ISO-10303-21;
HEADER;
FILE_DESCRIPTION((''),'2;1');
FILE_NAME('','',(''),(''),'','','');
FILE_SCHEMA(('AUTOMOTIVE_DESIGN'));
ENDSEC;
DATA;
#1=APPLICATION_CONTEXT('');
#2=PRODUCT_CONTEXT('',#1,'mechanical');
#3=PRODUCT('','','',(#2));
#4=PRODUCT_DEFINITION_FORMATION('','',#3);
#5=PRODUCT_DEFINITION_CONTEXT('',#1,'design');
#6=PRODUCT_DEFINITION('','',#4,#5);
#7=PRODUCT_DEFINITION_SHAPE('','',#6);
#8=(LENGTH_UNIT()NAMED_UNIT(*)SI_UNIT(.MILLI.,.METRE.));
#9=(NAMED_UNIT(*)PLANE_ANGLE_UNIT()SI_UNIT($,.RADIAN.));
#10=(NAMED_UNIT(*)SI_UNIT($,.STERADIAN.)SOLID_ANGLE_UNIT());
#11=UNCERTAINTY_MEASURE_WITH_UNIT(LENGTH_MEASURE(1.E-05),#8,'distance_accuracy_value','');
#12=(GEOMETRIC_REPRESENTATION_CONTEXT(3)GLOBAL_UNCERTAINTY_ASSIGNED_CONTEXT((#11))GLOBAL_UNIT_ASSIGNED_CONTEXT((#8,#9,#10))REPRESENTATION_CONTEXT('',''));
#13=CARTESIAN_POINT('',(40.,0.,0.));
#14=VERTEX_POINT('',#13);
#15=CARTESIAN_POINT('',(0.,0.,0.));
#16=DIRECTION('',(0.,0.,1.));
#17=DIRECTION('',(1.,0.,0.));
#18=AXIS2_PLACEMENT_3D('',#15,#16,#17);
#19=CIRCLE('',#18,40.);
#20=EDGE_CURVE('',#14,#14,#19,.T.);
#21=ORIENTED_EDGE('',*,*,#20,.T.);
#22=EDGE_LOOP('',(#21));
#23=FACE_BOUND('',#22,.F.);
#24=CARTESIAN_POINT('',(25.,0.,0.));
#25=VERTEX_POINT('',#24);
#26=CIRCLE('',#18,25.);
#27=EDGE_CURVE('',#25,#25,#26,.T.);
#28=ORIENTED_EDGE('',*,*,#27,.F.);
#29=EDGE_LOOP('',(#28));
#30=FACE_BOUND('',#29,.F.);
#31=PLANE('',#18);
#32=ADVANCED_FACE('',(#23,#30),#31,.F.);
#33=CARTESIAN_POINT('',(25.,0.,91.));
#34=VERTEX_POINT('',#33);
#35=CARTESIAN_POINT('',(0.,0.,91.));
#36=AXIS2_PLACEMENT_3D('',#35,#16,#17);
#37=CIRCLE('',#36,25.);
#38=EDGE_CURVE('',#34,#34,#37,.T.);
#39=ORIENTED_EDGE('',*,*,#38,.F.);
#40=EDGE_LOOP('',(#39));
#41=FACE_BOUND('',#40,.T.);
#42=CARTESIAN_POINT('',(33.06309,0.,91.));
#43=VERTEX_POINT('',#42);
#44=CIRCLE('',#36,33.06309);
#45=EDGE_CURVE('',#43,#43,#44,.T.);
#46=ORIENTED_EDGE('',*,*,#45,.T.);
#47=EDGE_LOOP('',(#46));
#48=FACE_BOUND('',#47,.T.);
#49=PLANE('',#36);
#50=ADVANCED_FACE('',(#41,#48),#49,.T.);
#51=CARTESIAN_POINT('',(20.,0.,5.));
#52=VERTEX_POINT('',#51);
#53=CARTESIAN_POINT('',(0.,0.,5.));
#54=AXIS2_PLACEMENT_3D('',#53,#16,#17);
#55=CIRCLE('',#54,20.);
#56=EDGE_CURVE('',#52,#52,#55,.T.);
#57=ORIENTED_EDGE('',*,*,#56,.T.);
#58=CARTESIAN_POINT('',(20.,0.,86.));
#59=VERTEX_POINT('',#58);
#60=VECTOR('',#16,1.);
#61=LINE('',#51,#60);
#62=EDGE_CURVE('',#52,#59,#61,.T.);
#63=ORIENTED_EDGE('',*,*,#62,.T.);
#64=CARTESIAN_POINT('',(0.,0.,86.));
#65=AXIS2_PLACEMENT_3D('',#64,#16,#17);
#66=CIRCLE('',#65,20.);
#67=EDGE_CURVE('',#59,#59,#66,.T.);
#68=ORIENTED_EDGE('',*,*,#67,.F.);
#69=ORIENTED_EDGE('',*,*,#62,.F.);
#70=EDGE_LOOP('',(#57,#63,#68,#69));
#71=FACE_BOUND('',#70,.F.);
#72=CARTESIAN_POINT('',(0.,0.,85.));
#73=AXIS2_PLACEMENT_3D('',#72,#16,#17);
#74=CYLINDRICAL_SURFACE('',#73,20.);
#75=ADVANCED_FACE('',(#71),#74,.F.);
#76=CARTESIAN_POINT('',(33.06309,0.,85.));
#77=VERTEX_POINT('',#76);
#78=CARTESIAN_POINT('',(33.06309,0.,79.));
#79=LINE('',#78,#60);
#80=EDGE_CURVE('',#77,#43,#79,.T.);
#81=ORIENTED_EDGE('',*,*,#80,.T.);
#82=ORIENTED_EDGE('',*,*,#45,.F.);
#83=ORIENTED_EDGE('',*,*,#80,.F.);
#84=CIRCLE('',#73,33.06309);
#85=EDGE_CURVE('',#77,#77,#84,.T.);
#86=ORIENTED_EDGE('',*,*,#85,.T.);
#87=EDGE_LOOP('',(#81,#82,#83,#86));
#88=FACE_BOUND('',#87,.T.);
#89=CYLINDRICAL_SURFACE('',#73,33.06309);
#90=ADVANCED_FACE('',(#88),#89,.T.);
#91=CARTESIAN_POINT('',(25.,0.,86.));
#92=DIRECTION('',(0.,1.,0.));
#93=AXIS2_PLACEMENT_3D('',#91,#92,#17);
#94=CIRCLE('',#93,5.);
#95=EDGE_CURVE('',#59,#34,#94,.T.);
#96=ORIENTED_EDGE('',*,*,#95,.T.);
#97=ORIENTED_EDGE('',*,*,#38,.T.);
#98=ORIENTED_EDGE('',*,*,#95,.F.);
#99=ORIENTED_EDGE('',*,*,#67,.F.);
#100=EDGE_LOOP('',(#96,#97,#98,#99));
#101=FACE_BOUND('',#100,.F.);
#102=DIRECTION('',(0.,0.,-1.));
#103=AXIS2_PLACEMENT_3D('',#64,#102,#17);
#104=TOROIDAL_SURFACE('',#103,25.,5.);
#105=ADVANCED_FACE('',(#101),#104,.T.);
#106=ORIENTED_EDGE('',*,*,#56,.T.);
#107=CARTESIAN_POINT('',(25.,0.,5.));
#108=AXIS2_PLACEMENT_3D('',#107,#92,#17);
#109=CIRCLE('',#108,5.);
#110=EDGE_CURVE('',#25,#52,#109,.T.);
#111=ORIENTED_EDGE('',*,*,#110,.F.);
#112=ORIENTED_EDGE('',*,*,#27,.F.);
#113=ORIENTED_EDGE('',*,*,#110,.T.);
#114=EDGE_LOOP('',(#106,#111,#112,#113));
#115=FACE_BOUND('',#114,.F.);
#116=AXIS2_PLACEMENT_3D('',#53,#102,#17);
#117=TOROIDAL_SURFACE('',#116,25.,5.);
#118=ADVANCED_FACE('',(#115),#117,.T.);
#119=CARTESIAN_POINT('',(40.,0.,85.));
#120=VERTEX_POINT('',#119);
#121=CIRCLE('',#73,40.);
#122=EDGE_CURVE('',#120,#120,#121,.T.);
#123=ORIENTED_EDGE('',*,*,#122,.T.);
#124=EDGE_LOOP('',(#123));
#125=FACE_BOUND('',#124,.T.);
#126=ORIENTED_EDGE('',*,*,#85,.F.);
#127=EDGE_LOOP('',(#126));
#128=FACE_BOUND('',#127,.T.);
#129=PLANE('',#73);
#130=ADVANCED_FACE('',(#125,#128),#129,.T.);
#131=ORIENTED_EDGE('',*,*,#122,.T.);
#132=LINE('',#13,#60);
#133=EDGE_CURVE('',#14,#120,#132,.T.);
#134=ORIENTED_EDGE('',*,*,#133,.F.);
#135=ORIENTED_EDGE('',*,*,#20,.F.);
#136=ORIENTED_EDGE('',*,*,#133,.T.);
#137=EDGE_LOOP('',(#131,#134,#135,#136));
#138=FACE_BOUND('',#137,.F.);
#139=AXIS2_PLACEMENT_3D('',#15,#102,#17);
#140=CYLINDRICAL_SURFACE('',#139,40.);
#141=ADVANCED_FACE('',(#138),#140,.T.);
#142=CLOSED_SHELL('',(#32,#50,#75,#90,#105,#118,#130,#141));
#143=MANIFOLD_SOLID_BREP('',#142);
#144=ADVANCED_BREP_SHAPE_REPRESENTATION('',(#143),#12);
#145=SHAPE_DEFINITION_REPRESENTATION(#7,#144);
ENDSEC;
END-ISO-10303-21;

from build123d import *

# Parameters (mm, degrees)
F0_R     = 40
F1_DEPTH = 85
F2_R     = 20
F3_DEPTH = 88
F4_R     = 5
F5_R     = 33.0630902993
F5_R_2   = 20
F6_DEPTH = 6
F7_R     = 5


with BuildPart() as f1:
    # F0 (on Top) → F1 (new body)
    with BuildSketch(Plane.XY):
        Circle(F0_R)
    extrude(amount=F1_DEPTH)

    # F2 (on face) → F3 (cut)
    with BuildSketch(Plane.XY.offset(85)):
        Circle(F2_R)
    extrude(amount=-F3_DEPTH, mode=Mode.SUBTRACT)

    # F4
    f4_edges = [f1.edges().sort_by_distance(p)[0] for p in [
        (-20, 0, 0),
    ]]
    fillet(f4_edges, radius=F4_R)

    # F5 (on face) → F6 (join, symmetric)
    with BuildSketch(Plane.XY.offset(85)):
        Circle(F5_R)
        Circle(F5_R_2, mode=Mode.SUBTRACT)
    extrude(amount=F6_DEPTH, both=True)

    # F7
    f7_edges = [f1.edges().sort_by_distance(p)[0] for p in [
        (-20, 0, 79),
        (20, 0, 42),
        (-20, 0, 5),
        (-20, 0, 85),
        (20, 0, 82),
        (20, 0, 88),
        (-20, 0, 91),
    ]]
    fillet(f7_edges, radius=F7_R)


solid = f1.part
